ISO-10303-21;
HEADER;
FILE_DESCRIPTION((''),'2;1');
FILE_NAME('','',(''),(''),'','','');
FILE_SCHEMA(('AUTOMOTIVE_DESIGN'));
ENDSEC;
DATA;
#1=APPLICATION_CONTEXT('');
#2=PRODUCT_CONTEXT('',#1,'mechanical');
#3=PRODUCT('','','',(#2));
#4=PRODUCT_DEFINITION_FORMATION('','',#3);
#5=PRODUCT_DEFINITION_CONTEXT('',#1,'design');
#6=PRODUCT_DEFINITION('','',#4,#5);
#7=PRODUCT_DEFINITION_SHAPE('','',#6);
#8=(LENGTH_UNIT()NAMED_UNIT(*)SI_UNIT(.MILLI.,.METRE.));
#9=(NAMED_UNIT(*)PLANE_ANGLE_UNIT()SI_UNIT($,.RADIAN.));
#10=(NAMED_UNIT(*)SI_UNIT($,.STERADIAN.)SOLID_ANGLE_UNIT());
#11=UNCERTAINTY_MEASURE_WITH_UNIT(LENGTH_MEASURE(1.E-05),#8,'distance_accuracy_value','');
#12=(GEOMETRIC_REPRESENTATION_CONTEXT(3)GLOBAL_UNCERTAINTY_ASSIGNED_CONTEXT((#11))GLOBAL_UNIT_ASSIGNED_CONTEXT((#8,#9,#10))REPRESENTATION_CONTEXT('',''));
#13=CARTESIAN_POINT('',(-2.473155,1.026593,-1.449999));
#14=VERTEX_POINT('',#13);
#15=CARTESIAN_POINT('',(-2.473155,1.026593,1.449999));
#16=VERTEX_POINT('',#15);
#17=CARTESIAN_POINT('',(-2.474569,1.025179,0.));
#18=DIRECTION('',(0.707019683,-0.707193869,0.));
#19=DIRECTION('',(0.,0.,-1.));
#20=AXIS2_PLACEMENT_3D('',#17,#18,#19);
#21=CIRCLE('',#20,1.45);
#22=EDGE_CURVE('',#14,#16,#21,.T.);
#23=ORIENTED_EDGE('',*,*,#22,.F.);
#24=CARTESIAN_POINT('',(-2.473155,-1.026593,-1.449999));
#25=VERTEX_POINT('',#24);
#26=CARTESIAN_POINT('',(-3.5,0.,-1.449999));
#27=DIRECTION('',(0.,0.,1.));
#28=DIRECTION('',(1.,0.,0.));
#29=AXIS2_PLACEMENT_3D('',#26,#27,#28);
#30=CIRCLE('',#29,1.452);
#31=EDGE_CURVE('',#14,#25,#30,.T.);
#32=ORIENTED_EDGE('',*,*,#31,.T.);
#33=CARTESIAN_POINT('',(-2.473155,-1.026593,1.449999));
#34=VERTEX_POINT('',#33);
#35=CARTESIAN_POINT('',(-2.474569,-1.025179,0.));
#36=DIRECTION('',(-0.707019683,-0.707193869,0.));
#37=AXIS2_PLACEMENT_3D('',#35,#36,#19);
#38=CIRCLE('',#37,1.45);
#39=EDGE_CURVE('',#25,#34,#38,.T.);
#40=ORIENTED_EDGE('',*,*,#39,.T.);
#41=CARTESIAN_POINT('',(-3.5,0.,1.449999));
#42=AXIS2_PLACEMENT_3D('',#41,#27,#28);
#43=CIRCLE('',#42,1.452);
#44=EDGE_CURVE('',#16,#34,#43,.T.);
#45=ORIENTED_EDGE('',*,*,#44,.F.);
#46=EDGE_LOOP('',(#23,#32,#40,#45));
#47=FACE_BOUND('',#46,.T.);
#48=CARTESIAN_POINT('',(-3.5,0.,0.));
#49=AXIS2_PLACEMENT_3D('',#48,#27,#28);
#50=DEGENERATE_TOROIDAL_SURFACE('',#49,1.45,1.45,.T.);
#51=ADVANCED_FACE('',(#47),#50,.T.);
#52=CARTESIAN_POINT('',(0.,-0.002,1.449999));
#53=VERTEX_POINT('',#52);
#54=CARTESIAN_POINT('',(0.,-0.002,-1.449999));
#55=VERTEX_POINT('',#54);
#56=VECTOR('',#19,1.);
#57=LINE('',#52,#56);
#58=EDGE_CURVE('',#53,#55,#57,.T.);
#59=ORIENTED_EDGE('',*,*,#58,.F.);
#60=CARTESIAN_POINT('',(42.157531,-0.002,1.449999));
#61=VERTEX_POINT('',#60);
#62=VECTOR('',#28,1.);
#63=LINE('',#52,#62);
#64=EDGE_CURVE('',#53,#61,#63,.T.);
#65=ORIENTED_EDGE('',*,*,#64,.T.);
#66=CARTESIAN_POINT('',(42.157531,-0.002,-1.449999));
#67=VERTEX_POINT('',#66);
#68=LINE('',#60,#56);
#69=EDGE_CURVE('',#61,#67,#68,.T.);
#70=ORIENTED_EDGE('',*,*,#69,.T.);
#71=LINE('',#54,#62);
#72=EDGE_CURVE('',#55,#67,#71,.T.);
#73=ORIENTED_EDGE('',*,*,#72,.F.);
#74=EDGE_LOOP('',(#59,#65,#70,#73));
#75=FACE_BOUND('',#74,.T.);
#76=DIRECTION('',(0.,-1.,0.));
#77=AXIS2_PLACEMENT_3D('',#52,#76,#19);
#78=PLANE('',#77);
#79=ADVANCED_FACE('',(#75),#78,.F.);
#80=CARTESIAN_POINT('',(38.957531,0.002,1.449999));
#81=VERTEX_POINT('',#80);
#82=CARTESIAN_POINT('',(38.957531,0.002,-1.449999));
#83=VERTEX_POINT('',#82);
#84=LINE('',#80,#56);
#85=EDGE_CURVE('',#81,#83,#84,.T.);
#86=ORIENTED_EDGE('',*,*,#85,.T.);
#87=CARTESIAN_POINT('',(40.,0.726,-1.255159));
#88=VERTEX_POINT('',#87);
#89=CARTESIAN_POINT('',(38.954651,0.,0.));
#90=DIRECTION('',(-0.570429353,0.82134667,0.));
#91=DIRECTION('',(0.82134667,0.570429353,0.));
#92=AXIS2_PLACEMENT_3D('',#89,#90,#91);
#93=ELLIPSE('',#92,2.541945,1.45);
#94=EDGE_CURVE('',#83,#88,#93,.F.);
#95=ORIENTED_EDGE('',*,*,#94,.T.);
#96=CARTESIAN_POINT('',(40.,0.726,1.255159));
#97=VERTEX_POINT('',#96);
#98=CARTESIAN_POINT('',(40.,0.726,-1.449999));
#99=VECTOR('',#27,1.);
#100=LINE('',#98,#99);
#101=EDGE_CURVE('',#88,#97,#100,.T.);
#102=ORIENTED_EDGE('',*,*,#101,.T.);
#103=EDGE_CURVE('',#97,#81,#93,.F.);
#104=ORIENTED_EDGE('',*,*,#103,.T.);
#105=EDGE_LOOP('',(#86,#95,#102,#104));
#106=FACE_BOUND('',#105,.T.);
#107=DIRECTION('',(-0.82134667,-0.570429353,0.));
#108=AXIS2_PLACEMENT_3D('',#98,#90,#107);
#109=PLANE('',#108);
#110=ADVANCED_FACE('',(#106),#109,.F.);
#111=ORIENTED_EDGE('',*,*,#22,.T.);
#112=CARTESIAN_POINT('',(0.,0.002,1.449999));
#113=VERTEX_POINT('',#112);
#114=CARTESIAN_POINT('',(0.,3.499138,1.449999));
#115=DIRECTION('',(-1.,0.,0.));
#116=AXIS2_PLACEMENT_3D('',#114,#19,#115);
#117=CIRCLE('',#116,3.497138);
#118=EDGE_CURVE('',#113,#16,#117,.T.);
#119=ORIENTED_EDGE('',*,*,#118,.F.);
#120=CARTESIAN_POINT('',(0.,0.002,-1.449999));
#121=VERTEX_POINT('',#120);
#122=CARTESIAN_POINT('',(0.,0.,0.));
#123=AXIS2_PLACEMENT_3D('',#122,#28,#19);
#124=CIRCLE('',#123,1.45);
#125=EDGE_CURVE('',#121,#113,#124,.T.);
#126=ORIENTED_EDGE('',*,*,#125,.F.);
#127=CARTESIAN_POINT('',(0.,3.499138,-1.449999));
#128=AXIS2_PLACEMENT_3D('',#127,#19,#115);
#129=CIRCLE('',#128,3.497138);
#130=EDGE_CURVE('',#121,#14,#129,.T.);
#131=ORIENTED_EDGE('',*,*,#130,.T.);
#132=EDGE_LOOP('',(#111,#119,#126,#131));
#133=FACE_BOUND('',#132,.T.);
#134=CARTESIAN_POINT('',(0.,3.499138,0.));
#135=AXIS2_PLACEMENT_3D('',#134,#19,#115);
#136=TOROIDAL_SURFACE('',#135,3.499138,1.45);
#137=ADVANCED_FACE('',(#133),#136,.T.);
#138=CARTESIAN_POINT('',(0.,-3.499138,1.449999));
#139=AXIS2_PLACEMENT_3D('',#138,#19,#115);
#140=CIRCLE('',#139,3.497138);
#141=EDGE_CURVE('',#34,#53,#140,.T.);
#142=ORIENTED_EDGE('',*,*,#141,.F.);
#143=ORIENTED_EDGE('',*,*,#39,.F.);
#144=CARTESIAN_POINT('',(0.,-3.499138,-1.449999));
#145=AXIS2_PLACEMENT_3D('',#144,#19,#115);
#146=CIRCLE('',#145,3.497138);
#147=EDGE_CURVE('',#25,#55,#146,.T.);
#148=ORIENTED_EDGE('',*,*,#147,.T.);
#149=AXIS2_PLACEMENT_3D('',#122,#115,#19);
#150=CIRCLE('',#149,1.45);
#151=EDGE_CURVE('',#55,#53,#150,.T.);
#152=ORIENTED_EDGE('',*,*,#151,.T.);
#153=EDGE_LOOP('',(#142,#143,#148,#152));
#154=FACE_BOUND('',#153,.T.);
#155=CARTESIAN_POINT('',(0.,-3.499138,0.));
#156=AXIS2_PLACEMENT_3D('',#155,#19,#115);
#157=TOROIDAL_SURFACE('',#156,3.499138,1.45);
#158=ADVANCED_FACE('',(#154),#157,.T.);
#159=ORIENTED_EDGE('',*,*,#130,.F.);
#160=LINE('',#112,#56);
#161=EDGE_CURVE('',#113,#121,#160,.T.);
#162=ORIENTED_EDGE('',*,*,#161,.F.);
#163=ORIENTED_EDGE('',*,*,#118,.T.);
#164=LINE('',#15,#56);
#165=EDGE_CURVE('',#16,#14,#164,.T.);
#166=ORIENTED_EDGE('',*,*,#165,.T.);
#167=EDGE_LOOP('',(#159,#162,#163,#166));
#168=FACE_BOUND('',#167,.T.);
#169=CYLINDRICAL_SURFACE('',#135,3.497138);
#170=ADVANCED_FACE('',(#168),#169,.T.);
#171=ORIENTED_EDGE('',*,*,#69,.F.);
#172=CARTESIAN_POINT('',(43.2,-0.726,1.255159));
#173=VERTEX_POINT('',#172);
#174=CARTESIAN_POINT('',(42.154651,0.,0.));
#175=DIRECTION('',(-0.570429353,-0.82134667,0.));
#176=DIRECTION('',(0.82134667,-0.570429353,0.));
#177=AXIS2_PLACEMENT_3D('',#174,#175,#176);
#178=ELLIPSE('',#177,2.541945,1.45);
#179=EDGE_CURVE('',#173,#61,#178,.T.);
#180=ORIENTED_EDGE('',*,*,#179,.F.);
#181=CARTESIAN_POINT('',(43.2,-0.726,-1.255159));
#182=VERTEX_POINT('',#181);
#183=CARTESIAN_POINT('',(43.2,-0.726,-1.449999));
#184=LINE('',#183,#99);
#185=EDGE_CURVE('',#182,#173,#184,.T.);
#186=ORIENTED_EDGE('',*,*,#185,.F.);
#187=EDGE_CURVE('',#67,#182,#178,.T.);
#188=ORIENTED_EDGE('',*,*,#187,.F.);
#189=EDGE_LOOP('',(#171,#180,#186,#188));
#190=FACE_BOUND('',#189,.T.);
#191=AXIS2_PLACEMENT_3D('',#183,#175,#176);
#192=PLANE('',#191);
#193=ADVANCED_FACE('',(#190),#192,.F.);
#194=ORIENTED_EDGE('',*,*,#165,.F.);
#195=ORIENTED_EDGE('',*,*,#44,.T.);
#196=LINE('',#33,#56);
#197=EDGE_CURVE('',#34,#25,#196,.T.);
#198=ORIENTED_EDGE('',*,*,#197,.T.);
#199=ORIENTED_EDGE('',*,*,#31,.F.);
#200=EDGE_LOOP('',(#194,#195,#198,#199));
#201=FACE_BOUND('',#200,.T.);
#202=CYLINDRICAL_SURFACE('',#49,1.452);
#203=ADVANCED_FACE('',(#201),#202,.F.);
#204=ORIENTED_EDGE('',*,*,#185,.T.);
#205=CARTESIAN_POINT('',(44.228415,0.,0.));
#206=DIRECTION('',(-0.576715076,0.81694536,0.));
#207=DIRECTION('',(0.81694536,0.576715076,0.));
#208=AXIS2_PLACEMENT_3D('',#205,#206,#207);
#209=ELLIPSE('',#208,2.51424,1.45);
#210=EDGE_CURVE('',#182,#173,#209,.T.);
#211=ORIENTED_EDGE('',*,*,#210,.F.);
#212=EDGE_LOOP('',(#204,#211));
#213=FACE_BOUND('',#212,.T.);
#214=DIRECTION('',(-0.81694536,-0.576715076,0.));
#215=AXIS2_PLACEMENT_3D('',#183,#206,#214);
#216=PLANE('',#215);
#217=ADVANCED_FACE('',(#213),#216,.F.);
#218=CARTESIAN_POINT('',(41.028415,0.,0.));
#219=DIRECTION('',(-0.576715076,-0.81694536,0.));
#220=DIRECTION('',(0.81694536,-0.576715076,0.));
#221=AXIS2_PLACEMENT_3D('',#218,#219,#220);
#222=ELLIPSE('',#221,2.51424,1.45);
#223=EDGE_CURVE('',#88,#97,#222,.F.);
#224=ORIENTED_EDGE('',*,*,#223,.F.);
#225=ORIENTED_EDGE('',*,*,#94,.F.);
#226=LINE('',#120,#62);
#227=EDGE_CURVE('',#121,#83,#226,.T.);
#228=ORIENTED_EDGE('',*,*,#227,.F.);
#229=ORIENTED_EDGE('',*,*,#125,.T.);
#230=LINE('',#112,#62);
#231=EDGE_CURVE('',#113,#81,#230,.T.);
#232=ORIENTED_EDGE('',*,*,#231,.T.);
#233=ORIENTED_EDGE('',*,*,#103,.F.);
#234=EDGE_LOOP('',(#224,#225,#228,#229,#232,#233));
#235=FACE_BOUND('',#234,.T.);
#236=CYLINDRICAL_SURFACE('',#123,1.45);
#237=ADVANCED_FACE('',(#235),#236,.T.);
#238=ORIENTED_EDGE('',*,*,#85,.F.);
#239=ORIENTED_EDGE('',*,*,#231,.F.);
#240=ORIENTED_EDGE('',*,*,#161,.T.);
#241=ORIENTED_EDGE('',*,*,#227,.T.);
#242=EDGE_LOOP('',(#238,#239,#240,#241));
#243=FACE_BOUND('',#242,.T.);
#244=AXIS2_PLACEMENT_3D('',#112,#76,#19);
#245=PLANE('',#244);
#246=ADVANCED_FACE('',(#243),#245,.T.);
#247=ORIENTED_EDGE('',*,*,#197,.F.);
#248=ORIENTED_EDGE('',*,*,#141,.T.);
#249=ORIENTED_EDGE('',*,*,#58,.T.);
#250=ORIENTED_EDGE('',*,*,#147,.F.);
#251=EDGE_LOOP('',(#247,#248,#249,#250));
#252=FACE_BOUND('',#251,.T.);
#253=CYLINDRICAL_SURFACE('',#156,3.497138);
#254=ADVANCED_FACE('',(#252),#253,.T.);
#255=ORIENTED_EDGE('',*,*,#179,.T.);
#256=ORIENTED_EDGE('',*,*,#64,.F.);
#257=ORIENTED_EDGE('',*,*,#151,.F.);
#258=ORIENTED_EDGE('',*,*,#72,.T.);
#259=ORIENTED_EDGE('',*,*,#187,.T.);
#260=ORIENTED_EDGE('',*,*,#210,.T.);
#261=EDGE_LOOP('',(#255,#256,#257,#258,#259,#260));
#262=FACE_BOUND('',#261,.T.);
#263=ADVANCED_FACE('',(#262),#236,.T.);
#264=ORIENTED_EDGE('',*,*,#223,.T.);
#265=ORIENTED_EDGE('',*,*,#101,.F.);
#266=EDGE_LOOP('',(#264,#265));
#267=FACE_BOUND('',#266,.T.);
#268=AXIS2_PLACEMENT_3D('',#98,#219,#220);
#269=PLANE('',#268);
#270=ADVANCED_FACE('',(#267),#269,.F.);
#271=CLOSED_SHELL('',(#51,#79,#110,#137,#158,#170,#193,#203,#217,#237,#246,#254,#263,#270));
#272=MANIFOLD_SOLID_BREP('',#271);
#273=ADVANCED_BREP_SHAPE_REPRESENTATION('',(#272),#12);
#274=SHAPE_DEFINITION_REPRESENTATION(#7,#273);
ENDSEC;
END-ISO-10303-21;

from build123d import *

# Parameters (mm, degrees)
CONECUT_DEPTH      = 44.321501554
CONECUT_DEPTH_BACK = 44.321501554


with BuildPart() as part:
    # Body: sweep along a path in PathSke
    with BuildLine(Plane.XY) as body_path:
        Line((40, 1.45), (0, 1.45))
        ThreePointArc((0, 1.45), (-0.784287723, 1.606029633), (-1.449137781, 2.050357081))
        ThreePointArc((-1.449137781, 2.050357081), (-6.4, 0), (-1.449137781, -2.050357081))
        ThreePointArc((-1.449137781, -2.050357081), (-0.784287723, -1.606029633), (0, -1.45))
        Line((0, -1.45), (43.2, -1.45))
    # SectionSke → Body (sweep)
    with BuildSketch(Plane(origin=(40, 0, 0), x_dir=(0, 0, -1), z_dir=(1, 0, 0))):
        with BuildLine():
            Line((-1.449998621, 0.002), (1.449998621, 0.002))
            ThreePointArc((1.449998621, 0.002), (0, 1.45), (-1.449998621, 0.002))
        make_face()
    sweep(path=body_path.line)

    # ConeCutSke → ConeCut (cut, two sides: drawn at the far end of the back side and taken through both)
    with BuildSketch(Plane.XY.offset(-CONECUT_DEPTH_BACK)):
        Polygon((40, 0.726), (38.960252785, 1.46), (43.21, 1.46), (43.21, -1.46), (42.160252785, -1.46), (43.2, -0.726), (42.154651125, 0), (38.954651125, 0), align=None)
    extrude(amount=CONECUT_DEPTH + CONECUT_DEPTH_BACK, mode=Mode.SUBTRACT)


solid = part.part
